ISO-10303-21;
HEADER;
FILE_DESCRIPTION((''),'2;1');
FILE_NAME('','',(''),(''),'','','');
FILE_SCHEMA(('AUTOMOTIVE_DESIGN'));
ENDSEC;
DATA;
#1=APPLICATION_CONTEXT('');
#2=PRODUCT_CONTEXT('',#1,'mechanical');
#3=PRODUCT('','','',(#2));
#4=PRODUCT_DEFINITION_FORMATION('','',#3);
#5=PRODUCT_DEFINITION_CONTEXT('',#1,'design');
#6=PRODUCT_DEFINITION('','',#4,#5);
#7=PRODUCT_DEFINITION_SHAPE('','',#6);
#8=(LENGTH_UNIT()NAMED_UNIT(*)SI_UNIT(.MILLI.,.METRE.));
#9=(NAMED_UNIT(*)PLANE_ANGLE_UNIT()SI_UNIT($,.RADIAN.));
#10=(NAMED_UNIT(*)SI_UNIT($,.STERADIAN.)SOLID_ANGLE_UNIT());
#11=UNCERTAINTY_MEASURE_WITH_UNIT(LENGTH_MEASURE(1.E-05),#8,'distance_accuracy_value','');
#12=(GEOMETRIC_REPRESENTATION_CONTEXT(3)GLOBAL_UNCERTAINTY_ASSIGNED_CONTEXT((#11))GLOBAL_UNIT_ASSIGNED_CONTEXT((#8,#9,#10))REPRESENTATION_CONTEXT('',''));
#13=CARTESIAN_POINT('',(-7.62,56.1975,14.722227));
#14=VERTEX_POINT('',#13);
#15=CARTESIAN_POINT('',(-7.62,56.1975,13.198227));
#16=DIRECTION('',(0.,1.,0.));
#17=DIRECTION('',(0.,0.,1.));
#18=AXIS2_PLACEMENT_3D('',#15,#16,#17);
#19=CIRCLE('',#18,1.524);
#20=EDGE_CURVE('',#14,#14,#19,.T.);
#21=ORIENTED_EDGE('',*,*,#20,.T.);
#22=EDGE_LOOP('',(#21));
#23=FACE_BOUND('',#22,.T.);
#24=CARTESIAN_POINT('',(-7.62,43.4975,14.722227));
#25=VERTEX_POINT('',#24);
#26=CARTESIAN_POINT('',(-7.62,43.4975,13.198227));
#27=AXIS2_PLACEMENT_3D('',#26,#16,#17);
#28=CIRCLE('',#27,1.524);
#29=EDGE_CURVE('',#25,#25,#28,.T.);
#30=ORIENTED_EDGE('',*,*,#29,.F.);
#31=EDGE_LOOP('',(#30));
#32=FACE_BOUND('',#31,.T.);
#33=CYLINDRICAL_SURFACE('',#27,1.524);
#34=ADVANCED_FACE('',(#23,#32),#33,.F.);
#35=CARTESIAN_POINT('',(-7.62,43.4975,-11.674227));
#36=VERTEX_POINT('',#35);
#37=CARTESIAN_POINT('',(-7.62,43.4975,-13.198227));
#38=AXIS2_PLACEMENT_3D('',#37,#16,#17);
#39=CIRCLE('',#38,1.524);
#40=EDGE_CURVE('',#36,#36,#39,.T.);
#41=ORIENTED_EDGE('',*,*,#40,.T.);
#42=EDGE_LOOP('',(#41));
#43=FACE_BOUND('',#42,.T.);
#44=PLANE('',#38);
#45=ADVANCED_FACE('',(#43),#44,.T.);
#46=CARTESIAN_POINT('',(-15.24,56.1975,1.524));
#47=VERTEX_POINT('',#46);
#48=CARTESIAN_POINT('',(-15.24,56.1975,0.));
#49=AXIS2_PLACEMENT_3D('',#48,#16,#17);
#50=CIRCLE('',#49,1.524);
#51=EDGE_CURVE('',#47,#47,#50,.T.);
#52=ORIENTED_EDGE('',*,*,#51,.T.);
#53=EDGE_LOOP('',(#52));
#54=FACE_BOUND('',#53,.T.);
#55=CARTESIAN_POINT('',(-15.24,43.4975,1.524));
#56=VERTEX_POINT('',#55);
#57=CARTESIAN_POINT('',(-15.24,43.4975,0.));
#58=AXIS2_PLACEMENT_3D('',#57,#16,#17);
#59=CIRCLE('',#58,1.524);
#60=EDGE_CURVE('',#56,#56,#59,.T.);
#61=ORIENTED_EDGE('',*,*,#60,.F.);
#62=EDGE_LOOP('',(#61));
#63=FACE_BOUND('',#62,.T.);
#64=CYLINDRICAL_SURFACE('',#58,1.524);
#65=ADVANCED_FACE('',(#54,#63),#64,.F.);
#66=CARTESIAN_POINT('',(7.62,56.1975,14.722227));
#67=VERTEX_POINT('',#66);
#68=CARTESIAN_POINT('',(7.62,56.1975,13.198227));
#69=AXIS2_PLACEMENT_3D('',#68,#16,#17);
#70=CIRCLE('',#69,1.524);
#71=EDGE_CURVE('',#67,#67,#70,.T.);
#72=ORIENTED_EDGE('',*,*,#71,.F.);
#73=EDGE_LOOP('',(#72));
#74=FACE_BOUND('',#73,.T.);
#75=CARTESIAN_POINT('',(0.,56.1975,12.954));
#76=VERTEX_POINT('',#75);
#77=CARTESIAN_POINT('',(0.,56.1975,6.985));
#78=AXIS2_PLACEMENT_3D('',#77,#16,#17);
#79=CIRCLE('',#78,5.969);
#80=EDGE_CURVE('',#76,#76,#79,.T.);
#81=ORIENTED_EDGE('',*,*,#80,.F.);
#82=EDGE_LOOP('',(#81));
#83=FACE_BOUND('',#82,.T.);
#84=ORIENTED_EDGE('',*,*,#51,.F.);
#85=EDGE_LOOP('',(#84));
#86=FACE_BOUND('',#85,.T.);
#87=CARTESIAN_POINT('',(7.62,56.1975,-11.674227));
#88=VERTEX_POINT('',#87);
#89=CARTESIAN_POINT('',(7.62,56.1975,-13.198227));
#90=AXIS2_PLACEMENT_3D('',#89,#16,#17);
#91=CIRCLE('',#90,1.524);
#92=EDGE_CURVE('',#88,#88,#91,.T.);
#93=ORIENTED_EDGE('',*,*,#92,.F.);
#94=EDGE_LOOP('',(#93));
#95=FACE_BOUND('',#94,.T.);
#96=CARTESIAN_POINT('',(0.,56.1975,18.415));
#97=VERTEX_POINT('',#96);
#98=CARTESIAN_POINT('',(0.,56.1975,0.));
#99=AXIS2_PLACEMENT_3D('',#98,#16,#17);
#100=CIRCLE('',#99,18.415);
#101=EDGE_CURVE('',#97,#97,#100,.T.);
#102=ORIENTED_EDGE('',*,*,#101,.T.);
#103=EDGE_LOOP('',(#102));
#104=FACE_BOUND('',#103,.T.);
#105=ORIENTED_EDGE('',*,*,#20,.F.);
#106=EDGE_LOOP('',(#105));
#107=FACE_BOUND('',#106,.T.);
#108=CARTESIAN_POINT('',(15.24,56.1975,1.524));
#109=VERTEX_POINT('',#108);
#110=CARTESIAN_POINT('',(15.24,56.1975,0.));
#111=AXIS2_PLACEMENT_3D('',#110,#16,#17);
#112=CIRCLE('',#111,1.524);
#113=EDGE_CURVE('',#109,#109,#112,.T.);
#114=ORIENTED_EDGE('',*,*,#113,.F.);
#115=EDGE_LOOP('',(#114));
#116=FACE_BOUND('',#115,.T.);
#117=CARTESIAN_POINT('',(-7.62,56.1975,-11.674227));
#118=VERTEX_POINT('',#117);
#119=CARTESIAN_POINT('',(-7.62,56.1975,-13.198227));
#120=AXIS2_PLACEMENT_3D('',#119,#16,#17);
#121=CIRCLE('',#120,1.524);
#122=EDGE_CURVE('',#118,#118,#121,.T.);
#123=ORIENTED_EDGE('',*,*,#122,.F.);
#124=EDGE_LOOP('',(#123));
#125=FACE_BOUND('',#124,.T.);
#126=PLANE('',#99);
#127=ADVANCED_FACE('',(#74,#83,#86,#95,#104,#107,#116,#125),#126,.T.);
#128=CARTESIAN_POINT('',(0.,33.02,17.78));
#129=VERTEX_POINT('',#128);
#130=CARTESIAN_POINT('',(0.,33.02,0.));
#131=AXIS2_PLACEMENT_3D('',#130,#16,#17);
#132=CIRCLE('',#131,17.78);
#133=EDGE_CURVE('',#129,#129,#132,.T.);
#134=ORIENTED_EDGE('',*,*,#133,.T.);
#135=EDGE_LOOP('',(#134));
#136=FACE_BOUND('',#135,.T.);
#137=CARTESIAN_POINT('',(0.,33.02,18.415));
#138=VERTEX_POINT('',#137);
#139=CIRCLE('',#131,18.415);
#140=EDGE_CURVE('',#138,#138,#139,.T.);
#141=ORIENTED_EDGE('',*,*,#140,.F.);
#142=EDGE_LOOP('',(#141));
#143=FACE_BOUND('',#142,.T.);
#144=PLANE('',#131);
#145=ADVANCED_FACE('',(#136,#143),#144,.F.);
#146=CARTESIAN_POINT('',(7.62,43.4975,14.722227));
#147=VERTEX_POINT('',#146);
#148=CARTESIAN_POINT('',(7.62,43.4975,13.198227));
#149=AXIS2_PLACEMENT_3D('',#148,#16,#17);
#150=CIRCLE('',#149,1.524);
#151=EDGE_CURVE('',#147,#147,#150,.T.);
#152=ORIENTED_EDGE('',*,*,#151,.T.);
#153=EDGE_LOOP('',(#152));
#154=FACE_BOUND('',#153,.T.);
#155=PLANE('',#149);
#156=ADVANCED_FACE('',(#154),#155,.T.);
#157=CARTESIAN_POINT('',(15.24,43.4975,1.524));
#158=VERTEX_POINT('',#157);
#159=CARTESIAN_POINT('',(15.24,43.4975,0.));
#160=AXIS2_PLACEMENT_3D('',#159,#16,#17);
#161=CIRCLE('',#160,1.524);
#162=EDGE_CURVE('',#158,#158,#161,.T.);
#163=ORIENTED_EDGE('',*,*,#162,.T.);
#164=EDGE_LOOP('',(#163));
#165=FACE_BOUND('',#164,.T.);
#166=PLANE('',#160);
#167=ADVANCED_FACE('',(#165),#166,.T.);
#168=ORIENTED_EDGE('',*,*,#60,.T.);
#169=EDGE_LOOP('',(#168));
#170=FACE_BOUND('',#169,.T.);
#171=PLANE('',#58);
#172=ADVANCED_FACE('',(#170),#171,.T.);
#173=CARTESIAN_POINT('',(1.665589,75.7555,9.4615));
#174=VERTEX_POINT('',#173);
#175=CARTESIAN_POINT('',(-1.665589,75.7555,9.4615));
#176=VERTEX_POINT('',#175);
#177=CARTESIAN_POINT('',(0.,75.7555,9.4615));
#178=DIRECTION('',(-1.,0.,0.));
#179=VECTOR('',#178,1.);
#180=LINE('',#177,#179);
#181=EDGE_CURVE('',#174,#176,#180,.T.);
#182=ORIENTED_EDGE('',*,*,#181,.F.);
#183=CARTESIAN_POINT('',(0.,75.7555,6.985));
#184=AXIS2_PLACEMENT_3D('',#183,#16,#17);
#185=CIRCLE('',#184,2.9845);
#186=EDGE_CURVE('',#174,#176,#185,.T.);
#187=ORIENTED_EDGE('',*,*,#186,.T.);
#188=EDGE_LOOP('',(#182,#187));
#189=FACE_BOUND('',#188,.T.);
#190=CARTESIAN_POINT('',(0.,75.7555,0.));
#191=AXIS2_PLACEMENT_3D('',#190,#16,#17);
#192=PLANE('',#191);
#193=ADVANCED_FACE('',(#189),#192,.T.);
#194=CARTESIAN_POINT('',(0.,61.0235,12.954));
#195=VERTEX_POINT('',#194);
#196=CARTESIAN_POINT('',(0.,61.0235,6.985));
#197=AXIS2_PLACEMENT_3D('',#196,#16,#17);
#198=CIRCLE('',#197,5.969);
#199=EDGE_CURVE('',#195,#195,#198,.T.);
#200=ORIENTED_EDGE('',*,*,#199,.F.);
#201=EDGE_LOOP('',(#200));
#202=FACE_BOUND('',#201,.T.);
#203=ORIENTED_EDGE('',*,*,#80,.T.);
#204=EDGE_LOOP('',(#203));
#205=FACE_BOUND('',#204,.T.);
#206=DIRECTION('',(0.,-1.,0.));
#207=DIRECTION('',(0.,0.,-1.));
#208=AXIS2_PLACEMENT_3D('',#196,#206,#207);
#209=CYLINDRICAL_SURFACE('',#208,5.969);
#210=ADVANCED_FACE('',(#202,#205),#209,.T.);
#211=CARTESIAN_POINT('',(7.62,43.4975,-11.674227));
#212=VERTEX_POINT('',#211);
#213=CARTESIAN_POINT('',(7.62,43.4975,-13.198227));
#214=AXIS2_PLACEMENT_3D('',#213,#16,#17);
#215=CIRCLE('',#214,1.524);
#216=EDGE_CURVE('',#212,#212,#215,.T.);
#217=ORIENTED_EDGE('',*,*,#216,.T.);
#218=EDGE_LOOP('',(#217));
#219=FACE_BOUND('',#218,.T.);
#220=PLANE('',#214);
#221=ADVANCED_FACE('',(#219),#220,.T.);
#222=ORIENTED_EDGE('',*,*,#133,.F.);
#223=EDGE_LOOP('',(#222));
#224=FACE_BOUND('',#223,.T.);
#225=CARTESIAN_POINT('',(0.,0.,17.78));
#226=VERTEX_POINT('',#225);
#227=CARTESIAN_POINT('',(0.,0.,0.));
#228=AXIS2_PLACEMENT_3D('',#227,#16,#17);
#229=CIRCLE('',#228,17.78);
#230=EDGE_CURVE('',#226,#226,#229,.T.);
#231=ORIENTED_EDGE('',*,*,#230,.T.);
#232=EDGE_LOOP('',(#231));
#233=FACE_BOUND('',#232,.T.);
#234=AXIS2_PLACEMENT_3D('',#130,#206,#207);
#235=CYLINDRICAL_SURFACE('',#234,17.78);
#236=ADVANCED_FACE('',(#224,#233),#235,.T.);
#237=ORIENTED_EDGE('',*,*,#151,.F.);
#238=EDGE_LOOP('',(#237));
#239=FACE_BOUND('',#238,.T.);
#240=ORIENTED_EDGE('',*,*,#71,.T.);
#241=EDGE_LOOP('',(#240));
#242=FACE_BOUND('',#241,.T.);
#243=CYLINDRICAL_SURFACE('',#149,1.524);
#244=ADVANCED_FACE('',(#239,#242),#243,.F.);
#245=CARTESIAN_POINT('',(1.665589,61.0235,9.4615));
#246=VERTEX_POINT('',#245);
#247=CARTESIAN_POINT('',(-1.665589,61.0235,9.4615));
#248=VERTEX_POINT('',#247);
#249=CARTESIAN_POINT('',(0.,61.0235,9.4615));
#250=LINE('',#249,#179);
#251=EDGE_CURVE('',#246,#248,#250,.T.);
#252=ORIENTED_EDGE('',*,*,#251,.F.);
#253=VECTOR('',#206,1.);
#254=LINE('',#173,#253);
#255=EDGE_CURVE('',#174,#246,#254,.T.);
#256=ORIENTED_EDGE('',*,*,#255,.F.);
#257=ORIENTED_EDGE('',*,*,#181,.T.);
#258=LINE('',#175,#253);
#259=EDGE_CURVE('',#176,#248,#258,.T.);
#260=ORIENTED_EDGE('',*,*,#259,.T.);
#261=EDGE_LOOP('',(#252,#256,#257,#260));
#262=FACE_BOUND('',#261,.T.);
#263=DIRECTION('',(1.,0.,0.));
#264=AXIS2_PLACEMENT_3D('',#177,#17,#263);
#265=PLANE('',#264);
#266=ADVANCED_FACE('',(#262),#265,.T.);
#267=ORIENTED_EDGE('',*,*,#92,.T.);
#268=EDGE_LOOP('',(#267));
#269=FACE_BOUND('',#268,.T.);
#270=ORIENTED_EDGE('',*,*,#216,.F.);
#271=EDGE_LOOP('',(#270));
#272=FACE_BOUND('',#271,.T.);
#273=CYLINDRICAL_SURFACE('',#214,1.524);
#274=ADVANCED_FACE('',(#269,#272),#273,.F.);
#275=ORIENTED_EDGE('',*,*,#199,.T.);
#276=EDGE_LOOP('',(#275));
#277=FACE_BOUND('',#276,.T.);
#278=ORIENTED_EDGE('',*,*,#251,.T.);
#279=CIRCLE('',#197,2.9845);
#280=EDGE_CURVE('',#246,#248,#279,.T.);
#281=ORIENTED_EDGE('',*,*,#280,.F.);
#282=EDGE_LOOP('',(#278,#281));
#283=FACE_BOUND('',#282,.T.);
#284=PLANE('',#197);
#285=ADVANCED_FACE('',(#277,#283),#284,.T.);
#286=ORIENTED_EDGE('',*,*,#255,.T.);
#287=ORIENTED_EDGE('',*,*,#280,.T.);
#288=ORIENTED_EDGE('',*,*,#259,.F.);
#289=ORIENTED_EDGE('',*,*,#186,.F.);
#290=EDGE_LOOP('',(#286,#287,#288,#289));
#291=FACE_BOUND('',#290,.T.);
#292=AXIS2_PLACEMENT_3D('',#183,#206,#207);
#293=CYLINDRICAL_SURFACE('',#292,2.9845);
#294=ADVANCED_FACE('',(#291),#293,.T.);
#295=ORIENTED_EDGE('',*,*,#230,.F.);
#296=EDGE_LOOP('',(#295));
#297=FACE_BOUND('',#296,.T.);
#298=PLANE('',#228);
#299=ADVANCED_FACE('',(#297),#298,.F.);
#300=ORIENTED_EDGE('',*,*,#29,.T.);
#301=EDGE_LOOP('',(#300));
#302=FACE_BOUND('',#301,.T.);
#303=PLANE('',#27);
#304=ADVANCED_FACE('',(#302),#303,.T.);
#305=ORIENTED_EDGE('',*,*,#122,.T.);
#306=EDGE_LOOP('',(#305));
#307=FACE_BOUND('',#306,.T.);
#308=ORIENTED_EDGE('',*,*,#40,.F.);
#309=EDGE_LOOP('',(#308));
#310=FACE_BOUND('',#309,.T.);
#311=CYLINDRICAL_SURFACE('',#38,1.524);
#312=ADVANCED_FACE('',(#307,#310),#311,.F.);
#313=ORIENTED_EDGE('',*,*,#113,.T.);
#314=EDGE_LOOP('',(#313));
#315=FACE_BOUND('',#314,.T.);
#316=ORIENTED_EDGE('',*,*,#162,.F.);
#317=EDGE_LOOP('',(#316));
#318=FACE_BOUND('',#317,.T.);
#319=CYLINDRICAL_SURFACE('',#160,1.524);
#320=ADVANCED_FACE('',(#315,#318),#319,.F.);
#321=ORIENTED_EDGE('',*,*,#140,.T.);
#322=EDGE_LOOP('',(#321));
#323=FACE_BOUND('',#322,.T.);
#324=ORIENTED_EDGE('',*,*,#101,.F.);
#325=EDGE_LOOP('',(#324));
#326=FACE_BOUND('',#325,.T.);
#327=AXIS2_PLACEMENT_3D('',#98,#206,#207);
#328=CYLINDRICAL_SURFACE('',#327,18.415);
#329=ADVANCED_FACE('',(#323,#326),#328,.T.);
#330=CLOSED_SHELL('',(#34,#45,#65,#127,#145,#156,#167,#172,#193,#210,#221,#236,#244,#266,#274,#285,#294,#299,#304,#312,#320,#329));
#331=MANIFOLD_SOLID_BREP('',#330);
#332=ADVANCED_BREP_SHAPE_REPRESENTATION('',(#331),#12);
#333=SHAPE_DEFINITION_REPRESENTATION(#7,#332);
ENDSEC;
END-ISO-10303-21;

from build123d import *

# Parameters (mm, degrees)
SKETCH1_R           = 17.78
BOSS_EXTRUDE1_DEPTH = 33.02
SKETCH2_R           = 18.415
BOSS_EXTRUDE2_DEPTH = 23.1775
SKETCH3_R           = 1.524
CUT_EXTRUDE1_DEPTH  = 12.7
SKETCH4_R           = 5.969
BOSS_EXTRUDE3_DEPTH = 4.826
BOSS_EXTRUDE4_DEPTH = 14.732


with BuildPart() as part:
    # Sketch1 → Boss-Extrude1 (new body)
    with BuildSketch(Plane(origin=(0, 0, 0), x_dir=(1, 0, 0), z_dir=(0, 1, 0))):
        Circle(SKETCH1_R)
    extrude(amount=BOSS_EXTRUDE1_DEPTH)

    # Sketch2 → Boss-Extrude2 (add)
    with BuildSketch(Plane(origin=(0, 33.02, 0), x_dir=(1, 0, 0), z_dir=(0, 1, 0))):
        Circle(SKETCH2_R)
    extrude(amount=BOSS_EXTRUDE2_DEPTH)

    # Sketch3 → Cut-Extrude1 (cut)
    with BuildSketch(Plane(origin=(0, 56.1975, 0), x_dir=(1, 0, 0), z_dir=(0, 1, 0))):
        with Locations((15.24, 0)):
            Circle(SKETCH3_R)
        with Locations((7.62, -13.198227154)):
            Circle(SKETCH3_R)
        with Locations((-7.62, -13.198227154)):
            Circle(SKETCH3_R)
        with Locations((-15.24, 0)):
            Circle(SKETCH3_R)
        with Locations((-7.62, 13.198227154)):
            Circle(SKETCH3_R)
        with Locations((7.62, 13.198227154)):
            Circle(SKETCH3_R)
    extrude(amount=-CUT_EXTRUDE1_DEPTH, mode=Mode.SUBTRACT)

    # Sketch4 → Boss-Extrude3 (add)
    with BuildSketch(Plane(origin=(0, 56.1975, 0), x_dir=(1, 0, 0), z_dir=(0, 1, 0))):
        with Locations((0, -6.985)):
            Circle(SKETCH4_R)
    extrude(amount=BOSS_EXTRUDE3_DEPTH)

    # Sketch5 → Boss-Extrude4 (add)
    with BuildSketch(Plane(origin=(0, 61.0235, 0), x_dir=(1, 0, 0), z_dir=(0, 1, 0))):
        with BuildLine():
            Line((1.665589385, -9.4615), (-1.665589385, -9.4615))
            ThreePointArc((-1.665589385, -9.4615), (0, -4.0005), (1.665589385, -9.4615))
        make_face()
    extrude(amount=BOSS_EXTRUDE4_DEPTH)


solid = part.part
